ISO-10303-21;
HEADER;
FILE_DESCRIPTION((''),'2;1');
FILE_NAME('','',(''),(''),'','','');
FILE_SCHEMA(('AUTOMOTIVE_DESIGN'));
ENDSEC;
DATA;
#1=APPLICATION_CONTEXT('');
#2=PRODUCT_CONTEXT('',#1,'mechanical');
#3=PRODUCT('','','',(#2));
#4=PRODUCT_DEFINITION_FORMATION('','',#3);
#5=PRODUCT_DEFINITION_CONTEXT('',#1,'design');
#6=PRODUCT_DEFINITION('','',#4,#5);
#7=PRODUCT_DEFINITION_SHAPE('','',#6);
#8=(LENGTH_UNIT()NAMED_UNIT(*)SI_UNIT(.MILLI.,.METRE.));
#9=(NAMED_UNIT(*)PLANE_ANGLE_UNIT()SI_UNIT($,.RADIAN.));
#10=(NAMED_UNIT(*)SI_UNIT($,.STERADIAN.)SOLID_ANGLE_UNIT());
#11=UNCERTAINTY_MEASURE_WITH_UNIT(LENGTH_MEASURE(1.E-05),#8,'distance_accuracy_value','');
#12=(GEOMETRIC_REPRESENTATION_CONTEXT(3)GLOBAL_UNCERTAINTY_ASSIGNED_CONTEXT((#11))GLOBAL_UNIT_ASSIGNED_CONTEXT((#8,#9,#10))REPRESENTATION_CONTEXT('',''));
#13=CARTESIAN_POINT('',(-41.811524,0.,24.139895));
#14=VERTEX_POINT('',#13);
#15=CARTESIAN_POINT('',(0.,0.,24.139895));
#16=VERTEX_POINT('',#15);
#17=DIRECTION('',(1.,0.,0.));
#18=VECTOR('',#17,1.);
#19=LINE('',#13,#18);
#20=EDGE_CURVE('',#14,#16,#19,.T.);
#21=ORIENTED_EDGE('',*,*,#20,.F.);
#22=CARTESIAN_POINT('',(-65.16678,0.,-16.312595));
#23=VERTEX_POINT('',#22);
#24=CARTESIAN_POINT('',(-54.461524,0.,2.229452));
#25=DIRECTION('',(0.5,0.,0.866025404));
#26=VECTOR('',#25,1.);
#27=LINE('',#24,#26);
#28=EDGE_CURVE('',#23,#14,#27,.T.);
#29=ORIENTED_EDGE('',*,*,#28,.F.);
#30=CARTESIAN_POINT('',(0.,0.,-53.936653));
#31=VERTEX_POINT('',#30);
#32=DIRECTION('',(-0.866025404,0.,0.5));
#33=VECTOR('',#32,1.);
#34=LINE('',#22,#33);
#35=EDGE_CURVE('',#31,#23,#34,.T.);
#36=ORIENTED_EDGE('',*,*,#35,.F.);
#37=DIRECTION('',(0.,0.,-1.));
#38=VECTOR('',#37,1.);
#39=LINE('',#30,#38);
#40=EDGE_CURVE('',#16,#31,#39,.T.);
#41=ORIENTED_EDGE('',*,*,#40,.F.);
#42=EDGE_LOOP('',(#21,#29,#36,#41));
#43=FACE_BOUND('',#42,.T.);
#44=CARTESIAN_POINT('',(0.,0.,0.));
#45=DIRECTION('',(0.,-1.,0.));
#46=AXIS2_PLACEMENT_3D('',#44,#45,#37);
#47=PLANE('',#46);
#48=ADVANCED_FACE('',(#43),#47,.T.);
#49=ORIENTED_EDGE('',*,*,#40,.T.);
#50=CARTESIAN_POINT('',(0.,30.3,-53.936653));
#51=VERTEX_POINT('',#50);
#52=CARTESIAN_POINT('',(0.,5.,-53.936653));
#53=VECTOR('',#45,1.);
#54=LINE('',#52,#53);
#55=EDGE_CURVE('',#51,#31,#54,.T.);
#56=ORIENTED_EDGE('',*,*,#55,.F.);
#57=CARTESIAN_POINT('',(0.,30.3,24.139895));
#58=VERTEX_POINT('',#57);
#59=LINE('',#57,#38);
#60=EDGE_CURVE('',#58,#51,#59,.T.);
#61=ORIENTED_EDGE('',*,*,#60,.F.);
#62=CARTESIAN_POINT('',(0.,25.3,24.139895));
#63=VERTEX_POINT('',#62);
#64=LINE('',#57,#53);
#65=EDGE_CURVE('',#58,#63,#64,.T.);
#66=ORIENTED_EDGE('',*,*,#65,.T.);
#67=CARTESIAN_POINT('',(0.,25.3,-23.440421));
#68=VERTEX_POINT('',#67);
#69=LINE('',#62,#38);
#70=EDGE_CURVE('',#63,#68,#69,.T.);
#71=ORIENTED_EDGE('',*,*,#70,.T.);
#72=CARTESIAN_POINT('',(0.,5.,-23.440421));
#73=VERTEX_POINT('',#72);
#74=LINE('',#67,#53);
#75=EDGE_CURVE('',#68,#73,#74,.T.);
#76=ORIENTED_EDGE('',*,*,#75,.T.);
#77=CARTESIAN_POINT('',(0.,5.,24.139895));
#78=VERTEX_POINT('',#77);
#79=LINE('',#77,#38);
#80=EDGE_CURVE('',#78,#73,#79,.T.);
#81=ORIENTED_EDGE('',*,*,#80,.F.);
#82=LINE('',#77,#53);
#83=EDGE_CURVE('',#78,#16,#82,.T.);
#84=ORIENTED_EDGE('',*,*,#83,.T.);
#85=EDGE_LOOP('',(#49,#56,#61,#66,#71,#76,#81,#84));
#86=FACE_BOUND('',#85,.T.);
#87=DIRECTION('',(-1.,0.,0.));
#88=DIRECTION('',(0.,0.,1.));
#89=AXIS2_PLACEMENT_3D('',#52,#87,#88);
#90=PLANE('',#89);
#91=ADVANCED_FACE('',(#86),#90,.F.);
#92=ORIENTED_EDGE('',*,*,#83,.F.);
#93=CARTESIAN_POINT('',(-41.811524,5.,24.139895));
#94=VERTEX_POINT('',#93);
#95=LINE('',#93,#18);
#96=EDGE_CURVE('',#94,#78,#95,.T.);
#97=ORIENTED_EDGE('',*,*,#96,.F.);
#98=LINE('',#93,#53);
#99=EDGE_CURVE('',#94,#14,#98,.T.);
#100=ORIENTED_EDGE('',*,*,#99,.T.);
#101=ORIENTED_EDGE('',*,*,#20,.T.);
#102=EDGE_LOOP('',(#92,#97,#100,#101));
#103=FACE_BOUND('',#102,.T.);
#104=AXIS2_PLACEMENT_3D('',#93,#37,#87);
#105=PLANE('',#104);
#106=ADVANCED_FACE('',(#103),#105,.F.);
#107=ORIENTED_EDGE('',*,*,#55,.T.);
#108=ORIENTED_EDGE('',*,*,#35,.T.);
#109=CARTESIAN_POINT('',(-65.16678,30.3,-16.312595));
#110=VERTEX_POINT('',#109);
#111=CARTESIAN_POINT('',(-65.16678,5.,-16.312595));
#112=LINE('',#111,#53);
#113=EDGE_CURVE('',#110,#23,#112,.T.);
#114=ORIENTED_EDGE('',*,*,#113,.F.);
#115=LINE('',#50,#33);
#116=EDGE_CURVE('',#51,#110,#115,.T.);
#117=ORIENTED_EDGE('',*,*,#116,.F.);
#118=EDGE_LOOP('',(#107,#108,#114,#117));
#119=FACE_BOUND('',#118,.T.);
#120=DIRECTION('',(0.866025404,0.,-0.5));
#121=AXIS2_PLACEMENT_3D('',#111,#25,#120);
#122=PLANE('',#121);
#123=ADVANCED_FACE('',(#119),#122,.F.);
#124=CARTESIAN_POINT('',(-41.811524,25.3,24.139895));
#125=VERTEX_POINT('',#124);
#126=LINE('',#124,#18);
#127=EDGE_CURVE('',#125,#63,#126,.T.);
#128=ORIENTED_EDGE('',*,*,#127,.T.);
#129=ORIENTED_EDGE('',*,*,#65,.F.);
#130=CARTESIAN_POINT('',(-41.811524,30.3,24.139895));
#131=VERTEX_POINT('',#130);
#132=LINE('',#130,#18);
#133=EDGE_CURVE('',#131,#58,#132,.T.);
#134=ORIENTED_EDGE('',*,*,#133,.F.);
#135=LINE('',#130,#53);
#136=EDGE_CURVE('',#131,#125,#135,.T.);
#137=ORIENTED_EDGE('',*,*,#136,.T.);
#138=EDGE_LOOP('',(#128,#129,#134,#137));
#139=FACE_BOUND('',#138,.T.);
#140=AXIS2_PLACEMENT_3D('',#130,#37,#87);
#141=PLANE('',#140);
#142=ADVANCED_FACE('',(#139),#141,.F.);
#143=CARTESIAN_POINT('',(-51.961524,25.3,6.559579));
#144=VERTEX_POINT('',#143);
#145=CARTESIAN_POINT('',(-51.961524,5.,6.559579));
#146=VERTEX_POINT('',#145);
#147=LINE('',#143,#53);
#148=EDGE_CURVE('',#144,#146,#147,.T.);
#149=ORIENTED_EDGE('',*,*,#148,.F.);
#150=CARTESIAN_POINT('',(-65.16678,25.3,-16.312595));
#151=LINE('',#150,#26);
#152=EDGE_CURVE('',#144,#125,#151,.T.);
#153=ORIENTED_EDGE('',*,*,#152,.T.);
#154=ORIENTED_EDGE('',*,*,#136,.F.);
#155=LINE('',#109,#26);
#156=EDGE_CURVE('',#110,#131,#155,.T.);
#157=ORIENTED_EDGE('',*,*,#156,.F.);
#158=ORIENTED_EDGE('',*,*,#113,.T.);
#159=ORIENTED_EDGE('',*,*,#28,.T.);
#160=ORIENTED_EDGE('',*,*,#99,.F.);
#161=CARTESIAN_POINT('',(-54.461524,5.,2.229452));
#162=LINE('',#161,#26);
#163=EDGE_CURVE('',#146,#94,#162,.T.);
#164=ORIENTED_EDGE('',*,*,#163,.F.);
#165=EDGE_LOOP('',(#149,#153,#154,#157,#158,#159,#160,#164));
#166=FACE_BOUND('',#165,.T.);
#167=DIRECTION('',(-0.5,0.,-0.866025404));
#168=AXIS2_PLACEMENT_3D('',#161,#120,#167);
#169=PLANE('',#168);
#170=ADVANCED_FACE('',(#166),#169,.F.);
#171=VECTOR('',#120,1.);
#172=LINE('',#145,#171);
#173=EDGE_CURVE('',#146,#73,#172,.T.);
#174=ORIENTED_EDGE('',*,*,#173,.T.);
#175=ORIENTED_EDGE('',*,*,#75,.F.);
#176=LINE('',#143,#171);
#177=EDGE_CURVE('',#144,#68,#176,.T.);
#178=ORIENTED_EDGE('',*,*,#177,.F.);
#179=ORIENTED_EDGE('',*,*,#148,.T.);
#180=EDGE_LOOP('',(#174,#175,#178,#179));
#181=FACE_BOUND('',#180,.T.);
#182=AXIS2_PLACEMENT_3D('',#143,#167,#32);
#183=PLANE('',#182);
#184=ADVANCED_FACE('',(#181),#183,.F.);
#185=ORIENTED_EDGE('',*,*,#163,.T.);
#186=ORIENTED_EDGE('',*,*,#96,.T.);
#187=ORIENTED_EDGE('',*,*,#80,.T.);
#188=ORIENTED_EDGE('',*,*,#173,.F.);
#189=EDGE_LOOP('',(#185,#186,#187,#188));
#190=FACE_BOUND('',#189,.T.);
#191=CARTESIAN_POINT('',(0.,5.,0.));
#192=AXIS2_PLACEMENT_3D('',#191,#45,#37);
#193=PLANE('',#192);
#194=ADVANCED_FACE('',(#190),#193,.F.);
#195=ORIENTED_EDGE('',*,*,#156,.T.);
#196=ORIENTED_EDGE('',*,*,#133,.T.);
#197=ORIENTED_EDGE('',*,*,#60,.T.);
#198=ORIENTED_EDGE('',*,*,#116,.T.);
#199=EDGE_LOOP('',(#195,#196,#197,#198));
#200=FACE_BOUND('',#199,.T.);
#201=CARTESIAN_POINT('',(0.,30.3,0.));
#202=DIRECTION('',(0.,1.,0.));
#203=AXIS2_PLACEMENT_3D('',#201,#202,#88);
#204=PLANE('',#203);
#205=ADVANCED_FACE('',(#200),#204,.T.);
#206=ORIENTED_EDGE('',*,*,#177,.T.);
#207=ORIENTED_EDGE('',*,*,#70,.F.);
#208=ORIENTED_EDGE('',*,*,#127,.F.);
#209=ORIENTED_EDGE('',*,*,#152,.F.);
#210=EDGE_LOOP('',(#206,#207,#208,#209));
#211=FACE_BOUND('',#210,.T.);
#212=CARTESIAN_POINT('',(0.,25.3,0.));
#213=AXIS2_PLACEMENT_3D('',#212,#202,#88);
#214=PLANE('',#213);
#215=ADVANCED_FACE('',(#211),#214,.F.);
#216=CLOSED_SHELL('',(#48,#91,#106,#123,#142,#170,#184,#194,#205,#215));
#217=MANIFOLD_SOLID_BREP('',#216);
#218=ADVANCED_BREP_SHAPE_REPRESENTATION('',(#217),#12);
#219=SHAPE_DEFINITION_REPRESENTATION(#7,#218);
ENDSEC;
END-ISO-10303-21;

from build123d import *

# Parameters (mm, degrees)
BOSS_EXTRUDE2_DEPTH = 5
BOSS_EXTRUDE3_DEPTH = 20.3
BOSS_EXTRUDE4_DEPTH = 5


with BuildPart() as part:
    # Sketch3 → Boss-Extrude2 (new body)
    with BuildSketch(Plane(origin=(0, 0, 0), x_dir=(1, 0, 0), z_dir=(0, 1, 0))):
        Polygon((-54.461524227, -2.229452052), (-41.811524227, -24.139894768), (0, -24.139894768), (0, 29.213923621), (0, 53.936652846), (-65.166780007, 16.312594867), align=None)
    extrude(amount=BOSS_EXTRUDE2_DEPTH)

    # Sketch4 → Boss-Extrude3 (add)
    with BuildSketch(Plane(origin=(0, 5, 0), x_dir=(1, 0, 0), z_dir=(0, 1, 0))):
        Polygon((-51.961524227, -6.559579071), (0, 23.440420929), (0, 29.213923621), (0, 53.936652846), (-65.166780007, 16.312594867), (-54.461524227, -2.229452052), align=None)
    extrude(amount=BOSS_EXTRUDE3_DEPTH)

    # Sketch5 → Boss-Extrude4 (add)
    with BuildSketch(Plane(origin=(0, 25.3, 0), x_dir=(1, 0, 0), z_dir=(0, 1, 0))):
        Polygon((-65.166780007, 16.312594867), (-41.811524227, -24.139894768), (0, -24.139894768), (0, 53.936652846), align=None)
    extrude(amount=BOSS_EXTRUDE4_DEPTH)


solid = part.part
